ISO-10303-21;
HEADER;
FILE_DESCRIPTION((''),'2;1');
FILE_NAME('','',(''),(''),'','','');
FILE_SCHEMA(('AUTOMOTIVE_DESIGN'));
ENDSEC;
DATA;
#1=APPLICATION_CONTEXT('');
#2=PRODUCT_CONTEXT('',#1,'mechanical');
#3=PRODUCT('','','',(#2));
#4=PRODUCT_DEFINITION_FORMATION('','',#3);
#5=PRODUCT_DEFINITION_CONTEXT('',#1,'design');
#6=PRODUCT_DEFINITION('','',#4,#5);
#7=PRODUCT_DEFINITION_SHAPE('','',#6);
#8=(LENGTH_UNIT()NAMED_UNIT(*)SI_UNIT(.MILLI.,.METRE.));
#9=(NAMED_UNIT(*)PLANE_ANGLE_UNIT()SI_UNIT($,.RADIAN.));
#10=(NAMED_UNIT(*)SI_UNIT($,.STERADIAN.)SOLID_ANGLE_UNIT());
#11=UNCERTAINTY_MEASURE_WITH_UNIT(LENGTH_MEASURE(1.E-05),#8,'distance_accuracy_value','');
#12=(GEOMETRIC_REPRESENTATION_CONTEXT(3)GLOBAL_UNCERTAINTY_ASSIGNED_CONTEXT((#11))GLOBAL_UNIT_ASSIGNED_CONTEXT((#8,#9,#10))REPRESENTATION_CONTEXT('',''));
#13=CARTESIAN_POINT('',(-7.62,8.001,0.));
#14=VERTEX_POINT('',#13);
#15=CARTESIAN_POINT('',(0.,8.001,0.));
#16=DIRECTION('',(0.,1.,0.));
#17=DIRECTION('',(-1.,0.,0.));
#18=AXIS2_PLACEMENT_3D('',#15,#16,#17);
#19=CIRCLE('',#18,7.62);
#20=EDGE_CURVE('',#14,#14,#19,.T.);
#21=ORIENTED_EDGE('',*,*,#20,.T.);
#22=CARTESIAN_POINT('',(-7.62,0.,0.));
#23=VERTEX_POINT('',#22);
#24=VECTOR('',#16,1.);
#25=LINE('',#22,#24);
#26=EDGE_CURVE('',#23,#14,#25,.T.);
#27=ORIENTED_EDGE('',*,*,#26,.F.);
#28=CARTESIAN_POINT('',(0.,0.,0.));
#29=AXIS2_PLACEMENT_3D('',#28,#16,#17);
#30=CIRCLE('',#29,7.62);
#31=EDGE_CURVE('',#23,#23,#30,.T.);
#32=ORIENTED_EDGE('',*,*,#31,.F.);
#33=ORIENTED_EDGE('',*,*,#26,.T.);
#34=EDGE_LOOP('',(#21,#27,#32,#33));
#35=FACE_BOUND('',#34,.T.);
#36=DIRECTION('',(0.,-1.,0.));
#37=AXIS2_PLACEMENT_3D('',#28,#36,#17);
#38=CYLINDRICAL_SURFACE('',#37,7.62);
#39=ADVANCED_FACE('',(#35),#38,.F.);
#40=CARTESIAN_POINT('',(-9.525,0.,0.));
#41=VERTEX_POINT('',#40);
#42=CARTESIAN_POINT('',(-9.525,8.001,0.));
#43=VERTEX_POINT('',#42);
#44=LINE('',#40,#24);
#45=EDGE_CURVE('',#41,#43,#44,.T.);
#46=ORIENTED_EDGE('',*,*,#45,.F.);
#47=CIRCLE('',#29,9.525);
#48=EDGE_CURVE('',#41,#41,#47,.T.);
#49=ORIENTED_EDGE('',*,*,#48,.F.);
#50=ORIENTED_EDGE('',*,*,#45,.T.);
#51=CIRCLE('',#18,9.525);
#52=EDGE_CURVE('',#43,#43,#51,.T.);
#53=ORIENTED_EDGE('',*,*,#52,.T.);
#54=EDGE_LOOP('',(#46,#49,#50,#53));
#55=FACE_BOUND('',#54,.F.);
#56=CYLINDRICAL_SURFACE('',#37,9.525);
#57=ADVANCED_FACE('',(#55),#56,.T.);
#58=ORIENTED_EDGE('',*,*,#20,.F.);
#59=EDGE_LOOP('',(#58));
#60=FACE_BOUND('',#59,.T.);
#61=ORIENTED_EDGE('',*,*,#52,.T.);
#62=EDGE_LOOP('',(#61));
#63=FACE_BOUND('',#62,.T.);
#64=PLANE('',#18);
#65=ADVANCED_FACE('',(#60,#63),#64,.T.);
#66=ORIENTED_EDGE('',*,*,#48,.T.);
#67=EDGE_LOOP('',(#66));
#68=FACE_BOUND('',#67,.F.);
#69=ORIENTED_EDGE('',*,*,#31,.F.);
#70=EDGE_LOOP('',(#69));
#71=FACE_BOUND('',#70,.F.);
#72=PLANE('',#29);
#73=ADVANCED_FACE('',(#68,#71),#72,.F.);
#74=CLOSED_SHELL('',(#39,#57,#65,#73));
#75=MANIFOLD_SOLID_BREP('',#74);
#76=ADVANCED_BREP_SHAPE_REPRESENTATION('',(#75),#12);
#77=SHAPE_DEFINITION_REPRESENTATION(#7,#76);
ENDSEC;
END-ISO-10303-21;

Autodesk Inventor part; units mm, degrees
ref_plane "YZ Plane" through (0, 0, 0) normal (1, 0, 0) x (0, 1, 0)
ref_plane "XZ Plane" through (0, 0, 0) normal (0, 1, 0) x (-1, 0, 0)
ref_plane "XY Plane" through (0, 0, 0) normal (0, 0, 1) x (1, 0, 0)
sketch "Sketch1" plane through (0, 0, 0) normal (0, 1, 0) x (-1, 0, 0)
  circle A0 centre (0, 0) radius 7.62
  circle A1 centre (0, 0) radius 9.525
  dimension "d0" = 15.24
  dimension "d1" = 19.05
extrude "Extrusion1" add sketch "Sketch1" along normal blind 8.001
properties part number "SHOT_1_017_Spacer3" material "Aluminum 6061"
